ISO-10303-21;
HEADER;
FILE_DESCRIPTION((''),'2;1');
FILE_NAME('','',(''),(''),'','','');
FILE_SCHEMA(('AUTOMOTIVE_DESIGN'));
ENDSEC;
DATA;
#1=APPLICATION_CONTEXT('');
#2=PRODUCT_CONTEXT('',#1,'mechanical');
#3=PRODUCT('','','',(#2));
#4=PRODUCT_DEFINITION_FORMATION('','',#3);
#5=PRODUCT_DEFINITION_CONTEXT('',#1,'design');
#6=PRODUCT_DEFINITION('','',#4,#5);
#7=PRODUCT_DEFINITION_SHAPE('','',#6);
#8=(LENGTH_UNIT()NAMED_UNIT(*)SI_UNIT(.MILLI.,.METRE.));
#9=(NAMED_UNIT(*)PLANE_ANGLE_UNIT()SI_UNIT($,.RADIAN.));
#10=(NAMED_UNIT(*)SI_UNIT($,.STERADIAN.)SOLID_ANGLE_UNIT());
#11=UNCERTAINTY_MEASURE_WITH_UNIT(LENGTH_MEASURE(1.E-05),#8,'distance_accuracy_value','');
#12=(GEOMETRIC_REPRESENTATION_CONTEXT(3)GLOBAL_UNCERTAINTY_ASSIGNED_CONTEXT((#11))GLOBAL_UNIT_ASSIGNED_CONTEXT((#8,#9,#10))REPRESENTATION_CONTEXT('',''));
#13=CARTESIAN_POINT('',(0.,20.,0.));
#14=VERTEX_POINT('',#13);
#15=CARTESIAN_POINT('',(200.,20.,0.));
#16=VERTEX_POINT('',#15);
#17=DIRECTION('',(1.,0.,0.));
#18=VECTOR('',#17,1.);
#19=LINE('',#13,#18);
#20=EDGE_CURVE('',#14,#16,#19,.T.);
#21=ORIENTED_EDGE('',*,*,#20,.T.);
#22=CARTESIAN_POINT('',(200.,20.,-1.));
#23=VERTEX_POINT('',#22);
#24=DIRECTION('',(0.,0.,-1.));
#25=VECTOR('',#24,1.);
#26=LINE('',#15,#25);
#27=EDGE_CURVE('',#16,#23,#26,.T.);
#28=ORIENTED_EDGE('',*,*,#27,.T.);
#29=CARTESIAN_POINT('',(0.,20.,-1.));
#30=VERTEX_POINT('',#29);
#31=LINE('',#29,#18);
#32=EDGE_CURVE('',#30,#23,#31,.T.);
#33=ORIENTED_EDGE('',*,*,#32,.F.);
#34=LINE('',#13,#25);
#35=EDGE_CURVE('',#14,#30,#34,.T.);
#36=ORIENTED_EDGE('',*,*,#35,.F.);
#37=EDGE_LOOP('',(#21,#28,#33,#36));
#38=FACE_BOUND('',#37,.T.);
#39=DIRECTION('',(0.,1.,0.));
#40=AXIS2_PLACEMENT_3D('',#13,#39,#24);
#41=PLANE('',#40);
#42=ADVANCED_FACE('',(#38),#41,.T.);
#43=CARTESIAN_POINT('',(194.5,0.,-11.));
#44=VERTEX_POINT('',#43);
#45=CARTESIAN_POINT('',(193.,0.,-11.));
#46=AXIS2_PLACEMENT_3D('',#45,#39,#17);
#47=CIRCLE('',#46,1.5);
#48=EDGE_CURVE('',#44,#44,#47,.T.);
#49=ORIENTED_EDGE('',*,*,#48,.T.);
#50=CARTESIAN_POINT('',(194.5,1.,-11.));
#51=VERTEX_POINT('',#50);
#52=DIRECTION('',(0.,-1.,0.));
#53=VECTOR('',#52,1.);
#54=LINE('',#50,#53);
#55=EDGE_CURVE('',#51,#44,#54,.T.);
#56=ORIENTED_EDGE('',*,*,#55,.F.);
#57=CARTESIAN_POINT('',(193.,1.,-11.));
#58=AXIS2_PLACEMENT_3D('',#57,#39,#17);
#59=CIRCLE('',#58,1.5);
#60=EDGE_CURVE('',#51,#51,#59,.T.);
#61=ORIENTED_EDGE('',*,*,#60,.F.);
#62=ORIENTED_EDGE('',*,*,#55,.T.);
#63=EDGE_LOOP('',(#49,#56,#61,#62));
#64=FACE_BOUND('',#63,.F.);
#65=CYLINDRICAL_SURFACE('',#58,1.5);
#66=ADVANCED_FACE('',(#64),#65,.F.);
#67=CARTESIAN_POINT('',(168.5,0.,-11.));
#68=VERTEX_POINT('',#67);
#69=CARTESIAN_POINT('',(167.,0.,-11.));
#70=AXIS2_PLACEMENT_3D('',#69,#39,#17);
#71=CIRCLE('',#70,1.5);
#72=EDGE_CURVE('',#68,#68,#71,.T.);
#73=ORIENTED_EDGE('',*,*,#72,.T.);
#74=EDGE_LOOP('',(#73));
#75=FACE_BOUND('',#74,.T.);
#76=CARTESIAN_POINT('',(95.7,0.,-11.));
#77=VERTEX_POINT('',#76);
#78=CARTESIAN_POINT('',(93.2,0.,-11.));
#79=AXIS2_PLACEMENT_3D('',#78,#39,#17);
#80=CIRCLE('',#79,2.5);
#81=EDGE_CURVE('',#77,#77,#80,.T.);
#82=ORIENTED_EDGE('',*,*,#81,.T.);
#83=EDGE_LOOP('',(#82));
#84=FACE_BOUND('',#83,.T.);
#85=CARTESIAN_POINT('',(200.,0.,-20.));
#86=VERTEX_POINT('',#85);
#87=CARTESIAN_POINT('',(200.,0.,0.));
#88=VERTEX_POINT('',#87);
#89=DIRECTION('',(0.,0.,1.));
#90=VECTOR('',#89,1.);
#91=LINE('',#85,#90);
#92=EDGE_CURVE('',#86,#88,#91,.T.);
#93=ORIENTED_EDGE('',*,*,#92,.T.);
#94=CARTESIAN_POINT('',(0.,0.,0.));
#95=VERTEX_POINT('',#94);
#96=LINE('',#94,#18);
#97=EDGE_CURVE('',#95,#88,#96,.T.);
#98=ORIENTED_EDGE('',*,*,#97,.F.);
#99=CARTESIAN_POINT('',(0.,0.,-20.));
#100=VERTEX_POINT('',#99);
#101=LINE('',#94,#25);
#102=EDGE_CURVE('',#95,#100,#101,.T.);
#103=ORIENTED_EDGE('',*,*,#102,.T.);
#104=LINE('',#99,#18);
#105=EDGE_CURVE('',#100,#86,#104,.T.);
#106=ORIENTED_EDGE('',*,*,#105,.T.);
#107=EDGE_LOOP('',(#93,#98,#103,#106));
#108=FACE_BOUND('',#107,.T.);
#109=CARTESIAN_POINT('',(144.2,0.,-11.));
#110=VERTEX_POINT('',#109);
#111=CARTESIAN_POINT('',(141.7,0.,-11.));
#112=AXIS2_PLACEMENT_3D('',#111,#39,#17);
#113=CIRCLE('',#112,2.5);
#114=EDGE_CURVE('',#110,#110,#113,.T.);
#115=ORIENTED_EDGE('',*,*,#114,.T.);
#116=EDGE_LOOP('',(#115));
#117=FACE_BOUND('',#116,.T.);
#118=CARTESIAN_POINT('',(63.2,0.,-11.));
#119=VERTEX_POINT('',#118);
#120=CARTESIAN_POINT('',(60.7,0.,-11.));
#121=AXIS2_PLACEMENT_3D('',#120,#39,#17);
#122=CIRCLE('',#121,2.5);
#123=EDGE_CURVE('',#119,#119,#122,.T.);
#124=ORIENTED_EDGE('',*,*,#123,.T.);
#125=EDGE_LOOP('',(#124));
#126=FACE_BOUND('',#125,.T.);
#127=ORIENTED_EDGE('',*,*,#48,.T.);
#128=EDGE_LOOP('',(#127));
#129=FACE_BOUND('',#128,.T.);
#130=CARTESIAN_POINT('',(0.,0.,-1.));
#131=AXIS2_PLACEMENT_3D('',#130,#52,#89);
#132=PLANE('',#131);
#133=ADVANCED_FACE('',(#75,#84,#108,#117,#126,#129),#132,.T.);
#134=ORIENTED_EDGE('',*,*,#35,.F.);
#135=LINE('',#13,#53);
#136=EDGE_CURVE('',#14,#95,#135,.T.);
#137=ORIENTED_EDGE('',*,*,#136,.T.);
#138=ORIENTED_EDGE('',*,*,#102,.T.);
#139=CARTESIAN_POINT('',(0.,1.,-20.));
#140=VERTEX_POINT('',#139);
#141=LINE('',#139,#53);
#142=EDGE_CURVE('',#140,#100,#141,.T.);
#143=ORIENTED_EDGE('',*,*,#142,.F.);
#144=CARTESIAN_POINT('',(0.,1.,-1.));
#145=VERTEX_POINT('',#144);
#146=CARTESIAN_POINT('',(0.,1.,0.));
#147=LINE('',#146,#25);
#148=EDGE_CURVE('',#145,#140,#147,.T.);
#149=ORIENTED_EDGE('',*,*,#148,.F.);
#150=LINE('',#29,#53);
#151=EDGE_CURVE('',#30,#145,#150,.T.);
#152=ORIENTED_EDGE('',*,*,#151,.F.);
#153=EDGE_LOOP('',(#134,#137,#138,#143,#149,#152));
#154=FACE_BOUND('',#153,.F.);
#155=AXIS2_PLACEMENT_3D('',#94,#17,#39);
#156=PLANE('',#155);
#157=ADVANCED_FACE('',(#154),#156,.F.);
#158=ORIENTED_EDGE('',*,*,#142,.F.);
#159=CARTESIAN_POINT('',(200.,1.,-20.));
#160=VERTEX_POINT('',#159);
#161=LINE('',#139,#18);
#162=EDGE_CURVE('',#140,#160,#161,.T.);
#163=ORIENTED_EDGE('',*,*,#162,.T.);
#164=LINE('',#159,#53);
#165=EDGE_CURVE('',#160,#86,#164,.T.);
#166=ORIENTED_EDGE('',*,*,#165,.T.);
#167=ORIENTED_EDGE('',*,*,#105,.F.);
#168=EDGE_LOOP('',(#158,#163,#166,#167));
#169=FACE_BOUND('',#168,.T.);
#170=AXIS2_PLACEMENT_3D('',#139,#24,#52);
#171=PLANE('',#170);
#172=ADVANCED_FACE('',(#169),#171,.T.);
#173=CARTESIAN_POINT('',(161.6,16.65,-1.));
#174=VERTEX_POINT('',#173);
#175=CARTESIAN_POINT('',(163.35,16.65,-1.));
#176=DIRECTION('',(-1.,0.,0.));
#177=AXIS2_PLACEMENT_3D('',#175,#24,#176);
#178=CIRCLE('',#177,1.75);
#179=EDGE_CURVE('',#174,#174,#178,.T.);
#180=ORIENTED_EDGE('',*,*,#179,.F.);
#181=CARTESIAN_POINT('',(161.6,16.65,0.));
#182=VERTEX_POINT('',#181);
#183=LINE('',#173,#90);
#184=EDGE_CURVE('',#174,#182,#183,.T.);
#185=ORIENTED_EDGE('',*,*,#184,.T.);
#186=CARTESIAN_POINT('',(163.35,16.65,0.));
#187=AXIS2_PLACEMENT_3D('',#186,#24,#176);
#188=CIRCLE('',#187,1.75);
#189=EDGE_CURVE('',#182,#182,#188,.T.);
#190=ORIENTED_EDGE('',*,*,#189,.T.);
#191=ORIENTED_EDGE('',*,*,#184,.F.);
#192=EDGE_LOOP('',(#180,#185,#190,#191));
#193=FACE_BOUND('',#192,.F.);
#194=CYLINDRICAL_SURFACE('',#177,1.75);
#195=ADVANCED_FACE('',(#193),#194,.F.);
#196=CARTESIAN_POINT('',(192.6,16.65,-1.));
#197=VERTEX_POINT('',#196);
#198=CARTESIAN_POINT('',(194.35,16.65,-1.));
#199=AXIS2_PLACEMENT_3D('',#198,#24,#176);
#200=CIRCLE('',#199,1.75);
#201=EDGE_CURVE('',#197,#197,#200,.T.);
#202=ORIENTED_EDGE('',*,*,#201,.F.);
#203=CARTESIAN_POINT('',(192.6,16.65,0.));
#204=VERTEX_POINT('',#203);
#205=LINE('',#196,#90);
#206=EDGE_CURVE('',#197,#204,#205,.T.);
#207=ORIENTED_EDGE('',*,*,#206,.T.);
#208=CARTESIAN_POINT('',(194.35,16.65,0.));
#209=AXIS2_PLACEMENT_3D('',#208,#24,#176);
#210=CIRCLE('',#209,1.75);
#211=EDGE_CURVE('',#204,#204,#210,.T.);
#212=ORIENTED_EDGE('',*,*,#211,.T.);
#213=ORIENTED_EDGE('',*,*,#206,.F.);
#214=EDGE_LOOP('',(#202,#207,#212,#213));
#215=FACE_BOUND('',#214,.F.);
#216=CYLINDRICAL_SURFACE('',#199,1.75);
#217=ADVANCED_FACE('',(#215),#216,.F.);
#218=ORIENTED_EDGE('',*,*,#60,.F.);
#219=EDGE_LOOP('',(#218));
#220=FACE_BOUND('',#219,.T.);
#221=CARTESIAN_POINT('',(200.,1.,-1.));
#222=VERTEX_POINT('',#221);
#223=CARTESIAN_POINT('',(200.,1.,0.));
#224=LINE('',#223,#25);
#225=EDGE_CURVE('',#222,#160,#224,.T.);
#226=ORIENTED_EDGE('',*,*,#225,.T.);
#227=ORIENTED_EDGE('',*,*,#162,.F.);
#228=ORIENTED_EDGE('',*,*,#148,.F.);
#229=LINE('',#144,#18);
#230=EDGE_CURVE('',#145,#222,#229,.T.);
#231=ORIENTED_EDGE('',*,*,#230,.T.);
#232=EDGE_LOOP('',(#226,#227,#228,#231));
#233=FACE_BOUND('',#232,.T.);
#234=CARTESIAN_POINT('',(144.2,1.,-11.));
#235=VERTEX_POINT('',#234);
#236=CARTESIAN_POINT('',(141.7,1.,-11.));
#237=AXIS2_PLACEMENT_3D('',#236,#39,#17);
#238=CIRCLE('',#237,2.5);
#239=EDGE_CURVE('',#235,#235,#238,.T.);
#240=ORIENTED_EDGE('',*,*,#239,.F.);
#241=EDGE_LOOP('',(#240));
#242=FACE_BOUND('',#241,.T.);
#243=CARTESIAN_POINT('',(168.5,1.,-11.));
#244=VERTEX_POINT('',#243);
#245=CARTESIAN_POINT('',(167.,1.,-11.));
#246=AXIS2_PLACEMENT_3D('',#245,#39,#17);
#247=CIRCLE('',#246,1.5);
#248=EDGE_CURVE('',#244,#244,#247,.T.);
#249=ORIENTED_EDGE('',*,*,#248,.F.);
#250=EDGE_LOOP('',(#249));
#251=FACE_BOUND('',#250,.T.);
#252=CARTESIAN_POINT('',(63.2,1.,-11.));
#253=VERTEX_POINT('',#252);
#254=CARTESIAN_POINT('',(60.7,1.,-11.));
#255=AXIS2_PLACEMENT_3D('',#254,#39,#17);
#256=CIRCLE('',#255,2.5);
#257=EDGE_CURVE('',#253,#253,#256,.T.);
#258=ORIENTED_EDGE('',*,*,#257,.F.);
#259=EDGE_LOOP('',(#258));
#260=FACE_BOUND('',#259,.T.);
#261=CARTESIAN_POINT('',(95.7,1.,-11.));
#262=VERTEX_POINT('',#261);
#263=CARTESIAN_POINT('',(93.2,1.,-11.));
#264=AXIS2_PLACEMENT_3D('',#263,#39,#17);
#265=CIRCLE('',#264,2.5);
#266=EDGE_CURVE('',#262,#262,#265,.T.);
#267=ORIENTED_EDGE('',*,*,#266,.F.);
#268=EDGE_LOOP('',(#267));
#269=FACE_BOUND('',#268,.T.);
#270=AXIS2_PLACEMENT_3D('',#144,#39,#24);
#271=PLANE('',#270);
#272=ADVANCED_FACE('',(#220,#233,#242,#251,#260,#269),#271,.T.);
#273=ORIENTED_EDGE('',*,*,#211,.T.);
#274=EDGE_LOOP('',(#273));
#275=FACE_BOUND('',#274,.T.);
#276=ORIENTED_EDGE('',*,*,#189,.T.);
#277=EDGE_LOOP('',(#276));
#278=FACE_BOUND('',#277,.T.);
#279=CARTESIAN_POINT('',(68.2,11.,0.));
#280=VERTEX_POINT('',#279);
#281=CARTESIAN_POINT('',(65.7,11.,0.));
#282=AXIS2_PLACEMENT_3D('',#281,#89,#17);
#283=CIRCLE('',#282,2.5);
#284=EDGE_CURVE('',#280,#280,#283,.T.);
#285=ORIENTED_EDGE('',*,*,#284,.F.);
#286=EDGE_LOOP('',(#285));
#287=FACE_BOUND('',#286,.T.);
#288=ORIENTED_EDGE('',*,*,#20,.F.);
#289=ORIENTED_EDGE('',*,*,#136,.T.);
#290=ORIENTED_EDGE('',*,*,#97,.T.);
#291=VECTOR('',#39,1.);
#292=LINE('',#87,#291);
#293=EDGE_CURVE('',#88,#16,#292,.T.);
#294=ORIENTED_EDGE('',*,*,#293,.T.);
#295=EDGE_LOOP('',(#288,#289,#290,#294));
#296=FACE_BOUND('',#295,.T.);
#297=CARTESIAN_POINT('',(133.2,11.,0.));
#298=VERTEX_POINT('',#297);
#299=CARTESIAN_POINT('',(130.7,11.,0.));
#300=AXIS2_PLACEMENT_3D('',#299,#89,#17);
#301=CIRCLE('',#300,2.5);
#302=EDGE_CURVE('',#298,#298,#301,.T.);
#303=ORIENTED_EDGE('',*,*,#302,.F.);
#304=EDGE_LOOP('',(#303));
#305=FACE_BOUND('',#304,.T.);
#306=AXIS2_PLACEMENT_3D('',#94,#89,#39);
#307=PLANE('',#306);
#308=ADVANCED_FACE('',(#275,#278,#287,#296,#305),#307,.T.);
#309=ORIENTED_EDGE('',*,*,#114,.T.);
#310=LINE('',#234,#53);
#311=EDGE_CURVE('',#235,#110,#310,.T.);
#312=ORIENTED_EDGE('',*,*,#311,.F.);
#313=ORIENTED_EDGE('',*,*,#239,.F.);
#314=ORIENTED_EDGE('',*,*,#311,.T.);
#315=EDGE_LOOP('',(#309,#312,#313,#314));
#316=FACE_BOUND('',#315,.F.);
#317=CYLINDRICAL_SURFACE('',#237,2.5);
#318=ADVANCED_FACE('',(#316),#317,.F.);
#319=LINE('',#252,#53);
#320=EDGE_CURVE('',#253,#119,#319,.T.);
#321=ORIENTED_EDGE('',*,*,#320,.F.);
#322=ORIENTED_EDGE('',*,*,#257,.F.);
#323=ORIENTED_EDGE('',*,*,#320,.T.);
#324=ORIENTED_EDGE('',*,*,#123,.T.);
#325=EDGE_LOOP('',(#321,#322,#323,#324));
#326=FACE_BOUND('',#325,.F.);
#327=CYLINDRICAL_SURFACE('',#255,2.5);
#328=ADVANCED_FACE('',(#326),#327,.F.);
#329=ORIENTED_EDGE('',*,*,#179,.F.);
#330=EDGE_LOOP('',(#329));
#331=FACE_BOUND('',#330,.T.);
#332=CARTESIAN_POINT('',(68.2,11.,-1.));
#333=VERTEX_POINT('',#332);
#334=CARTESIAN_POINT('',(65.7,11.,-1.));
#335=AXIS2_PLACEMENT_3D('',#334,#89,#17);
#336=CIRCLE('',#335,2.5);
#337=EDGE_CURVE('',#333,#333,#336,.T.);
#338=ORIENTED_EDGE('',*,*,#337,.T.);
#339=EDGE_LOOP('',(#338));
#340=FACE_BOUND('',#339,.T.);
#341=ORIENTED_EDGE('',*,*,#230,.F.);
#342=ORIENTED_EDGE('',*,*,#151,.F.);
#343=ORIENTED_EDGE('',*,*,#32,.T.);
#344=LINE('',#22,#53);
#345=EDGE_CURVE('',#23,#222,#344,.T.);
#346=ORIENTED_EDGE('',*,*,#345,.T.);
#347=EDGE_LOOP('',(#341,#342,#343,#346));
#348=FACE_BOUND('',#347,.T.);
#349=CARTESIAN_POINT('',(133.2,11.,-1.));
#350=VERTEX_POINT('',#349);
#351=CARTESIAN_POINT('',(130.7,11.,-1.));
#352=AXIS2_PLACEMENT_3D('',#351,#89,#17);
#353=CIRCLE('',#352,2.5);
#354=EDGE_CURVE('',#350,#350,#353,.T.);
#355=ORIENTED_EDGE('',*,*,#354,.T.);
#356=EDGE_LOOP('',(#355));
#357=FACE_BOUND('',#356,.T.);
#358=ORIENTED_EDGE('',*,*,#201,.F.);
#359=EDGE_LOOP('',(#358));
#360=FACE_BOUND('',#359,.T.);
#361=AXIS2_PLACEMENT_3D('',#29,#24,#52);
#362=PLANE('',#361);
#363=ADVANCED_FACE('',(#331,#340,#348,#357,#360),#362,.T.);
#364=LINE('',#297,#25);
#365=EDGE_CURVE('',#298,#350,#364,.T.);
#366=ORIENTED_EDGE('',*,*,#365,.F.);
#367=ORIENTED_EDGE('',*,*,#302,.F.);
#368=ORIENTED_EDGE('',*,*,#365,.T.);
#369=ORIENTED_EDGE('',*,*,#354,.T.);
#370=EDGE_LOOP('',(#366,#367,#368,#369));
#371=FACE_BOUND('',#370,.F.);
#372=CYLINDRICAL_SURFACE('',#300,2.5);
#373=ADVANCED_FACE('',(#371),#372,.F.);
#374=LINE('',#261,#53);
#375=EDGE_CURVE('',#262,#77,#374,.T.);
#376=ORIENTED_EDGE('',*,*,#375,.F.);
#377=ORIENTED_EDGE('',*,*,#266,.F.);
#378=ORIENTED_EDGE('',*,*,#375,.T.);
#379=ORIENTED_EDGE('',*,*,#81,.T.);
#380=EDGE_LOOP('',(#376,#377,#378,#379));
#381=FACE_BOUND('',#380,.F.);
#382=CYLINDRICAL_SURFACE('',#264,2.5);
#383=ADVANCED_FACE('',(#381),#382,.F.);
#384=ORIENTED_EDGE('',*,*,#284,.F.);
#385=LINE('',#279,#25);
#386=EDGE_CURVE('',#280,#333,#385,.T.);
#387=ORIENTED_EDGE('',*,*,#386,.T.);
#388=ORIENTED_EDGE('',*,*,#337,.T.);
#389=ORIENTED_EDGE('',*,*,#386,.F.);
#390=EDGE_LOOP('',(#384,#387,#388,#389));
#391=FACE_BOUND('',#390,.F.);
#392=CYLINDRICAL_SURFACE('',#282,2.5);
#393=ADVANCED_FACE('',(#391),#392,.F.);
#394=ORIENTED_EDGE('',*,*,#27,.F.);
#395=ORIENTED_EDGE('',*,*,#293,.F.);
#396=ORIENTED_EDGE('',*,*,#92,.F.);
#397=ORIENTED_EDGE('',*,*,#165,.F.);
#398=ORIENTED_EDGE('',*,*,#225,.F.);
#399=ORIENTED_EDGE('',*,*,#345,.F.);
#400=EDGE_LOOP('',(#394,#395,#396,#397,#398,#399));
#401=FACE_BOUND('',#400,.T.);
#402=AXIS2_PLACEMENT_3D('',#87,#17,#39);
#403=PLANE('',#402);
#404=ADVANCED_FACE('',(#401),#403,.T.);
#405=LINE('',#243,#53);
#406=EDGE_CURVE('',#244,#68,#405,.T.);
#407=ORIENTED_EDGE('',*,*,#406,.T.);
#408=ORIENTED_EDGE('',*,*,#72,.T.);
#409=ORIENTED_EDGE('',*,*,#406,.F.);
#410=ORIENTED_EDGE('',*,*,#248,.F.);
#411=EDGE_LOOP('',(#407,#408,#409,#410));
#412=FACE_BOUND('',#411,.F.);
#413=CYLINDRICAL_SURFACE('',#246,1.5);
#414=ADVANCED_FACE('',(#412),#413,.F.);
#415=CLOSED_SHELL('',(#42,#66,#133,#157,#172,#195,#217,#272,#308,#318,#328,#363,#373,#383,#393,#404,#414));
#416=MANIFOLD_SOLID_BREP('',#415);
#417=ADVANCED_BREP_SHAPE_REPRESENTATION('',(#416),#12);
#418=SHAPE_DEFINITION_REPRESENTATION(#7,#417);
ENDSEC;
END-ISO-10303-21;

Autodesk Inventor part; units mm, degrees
ref_plane "YZ Plane" through (0, 0, 0) normal (1, 0, 0) x (0, 1, 0)
ref_plane "XZ Plane" through (0, 0, 0) normal (0, 1, 0) x (-1, 0, 0)
ref_plane "XY Plane" through (0, 0, 0) normal (0, 0, 1) x (1, 0, 0)
sketch "Boceto1" plane through (0, 0, 0) normal (1, 0, 0) x (0, 1, 0)
  line L0 (0, 0) -> (20, 0)
  line L1 (20, 0) -> (20, -1)
  line L2 (20, -1) -> (0, -1)
  line L3 (0, -1) -> (0, 0)
  line L4 (0, 0) -> (1, 0)
  line L5 (1, 0) -> (1, -20)
  line L6 (1, -20) -> (0, -20)
  line L7 (0, -20) -> (0, 0)
  point P0 (1, -1)
  dimension "d0" = 20
  dimension "d1" = 20
  dimension "d2" = 1
  dimension "d3" = 1
extrude "Extrusión1" add sketch "Boceto1" along normal blind 200
sketch "Boceto2" plane through (0, 1, -1) normal (0, 0, -1) x (-1, 0, 0)
  circle A0 centre (-194.35, 15.65) radius 1.75
  line L0 (0, 19) -> (-200, 19) projected
  line L1 (-200, 0) -> (-200, 19) projected
  circle A1 centre (-163.35, 15.65) radius 1.75
  point P0 (0, -1)
  dimension "d6" = 3.5
  dimension "d7" = 3.35
  dimension "d8" = 5.65
  dimension "d11" = 3.5
  dimension "d12" = 31
  dimension "d13" = 3.35
extrude "Extrusión2" cut sketch "Boceto2" against normal through all
sketch "Boceto3" plane through (0, 1, -1) normal (0, 1, 0) x (1, 0, 0)
  circle A0 centre (193, 10) radius 1.5
  circle A1 centre (167, 10) radius 1.5
  line L0 (0, 19) -> (200, 19) projected
  line L1 (200, 19) -> (200, 0) projected
  point P0 (0, -1)
  dimension "d14" = 3
  dimension "d15" = 3
  dimension "d16" = 9
  dimension "d17" = 9
  dimension "d18" = 7
  dimension "d19" = 26
extrude "Extrusión3" cut sketch "Boceto3" against normal through all
sketch "Boceto4" plane through (0, 0, 0) normal (0, 0, 1) x (1, 0, 0)
  circle A0 centre (65.7, 11) radius 2.5
  line L0 (200, 20) -> (200, 0) projected
  circle A1 centre (130.7, 11) radius 2.5
  line L1 (0, 20) -> (200, 20) projected
  point P0 (0, 0)
  dimension "d22" = 134.3
  dimension "d23" = 69.3
  dimension "d24" = 9
  dimension "d25" = 9
  dimension "d28" = 5
  dimension "d29" = 5
extrude "Extrusión4" cut sketch "Boceto4" against normal through all
sketch "Boceto5" plane through (0, 1, -1) normal (0, 1, 0) x (1, 0, 0)
  circle A0 centre (60.7, 10) radius 2.5
  line L0 (0, 19) -> (200, 19) projected
  line L1 (0, 19) -> (0, 0) projected
  circle A1 centre (93.2, 10) radius 2.5
  circle A2 centre (141.7, 10) radius 2.5
  point P0 (0, -1)
  dimension "d30" = 5
  dimension "d31" = 9
  dimension "d32" = 60.7
  dimension "d33" = 5
  dimension "d35" = 5
  dimension "d36" = 48.5
  dimension "d39" = 32.5
extrude "Extrusión5" cut sketch "Boceto5" against normal through all
equation "\"d1\" = d0"
equation "\"d3\" = d2"
equation "\"d11\" = d6"
equation "\"d13\" = d7"
equation "\"d15\" = d14"
equation "\"d17\" = d16"
equation "\"d24\" = d25"
equation "\"d29\" = d28"
equation "\"d33\" = d30"
equation "\"d35\" = d33"
properties part number "Angulo 2020x450" material "Madera (cerezo)"
